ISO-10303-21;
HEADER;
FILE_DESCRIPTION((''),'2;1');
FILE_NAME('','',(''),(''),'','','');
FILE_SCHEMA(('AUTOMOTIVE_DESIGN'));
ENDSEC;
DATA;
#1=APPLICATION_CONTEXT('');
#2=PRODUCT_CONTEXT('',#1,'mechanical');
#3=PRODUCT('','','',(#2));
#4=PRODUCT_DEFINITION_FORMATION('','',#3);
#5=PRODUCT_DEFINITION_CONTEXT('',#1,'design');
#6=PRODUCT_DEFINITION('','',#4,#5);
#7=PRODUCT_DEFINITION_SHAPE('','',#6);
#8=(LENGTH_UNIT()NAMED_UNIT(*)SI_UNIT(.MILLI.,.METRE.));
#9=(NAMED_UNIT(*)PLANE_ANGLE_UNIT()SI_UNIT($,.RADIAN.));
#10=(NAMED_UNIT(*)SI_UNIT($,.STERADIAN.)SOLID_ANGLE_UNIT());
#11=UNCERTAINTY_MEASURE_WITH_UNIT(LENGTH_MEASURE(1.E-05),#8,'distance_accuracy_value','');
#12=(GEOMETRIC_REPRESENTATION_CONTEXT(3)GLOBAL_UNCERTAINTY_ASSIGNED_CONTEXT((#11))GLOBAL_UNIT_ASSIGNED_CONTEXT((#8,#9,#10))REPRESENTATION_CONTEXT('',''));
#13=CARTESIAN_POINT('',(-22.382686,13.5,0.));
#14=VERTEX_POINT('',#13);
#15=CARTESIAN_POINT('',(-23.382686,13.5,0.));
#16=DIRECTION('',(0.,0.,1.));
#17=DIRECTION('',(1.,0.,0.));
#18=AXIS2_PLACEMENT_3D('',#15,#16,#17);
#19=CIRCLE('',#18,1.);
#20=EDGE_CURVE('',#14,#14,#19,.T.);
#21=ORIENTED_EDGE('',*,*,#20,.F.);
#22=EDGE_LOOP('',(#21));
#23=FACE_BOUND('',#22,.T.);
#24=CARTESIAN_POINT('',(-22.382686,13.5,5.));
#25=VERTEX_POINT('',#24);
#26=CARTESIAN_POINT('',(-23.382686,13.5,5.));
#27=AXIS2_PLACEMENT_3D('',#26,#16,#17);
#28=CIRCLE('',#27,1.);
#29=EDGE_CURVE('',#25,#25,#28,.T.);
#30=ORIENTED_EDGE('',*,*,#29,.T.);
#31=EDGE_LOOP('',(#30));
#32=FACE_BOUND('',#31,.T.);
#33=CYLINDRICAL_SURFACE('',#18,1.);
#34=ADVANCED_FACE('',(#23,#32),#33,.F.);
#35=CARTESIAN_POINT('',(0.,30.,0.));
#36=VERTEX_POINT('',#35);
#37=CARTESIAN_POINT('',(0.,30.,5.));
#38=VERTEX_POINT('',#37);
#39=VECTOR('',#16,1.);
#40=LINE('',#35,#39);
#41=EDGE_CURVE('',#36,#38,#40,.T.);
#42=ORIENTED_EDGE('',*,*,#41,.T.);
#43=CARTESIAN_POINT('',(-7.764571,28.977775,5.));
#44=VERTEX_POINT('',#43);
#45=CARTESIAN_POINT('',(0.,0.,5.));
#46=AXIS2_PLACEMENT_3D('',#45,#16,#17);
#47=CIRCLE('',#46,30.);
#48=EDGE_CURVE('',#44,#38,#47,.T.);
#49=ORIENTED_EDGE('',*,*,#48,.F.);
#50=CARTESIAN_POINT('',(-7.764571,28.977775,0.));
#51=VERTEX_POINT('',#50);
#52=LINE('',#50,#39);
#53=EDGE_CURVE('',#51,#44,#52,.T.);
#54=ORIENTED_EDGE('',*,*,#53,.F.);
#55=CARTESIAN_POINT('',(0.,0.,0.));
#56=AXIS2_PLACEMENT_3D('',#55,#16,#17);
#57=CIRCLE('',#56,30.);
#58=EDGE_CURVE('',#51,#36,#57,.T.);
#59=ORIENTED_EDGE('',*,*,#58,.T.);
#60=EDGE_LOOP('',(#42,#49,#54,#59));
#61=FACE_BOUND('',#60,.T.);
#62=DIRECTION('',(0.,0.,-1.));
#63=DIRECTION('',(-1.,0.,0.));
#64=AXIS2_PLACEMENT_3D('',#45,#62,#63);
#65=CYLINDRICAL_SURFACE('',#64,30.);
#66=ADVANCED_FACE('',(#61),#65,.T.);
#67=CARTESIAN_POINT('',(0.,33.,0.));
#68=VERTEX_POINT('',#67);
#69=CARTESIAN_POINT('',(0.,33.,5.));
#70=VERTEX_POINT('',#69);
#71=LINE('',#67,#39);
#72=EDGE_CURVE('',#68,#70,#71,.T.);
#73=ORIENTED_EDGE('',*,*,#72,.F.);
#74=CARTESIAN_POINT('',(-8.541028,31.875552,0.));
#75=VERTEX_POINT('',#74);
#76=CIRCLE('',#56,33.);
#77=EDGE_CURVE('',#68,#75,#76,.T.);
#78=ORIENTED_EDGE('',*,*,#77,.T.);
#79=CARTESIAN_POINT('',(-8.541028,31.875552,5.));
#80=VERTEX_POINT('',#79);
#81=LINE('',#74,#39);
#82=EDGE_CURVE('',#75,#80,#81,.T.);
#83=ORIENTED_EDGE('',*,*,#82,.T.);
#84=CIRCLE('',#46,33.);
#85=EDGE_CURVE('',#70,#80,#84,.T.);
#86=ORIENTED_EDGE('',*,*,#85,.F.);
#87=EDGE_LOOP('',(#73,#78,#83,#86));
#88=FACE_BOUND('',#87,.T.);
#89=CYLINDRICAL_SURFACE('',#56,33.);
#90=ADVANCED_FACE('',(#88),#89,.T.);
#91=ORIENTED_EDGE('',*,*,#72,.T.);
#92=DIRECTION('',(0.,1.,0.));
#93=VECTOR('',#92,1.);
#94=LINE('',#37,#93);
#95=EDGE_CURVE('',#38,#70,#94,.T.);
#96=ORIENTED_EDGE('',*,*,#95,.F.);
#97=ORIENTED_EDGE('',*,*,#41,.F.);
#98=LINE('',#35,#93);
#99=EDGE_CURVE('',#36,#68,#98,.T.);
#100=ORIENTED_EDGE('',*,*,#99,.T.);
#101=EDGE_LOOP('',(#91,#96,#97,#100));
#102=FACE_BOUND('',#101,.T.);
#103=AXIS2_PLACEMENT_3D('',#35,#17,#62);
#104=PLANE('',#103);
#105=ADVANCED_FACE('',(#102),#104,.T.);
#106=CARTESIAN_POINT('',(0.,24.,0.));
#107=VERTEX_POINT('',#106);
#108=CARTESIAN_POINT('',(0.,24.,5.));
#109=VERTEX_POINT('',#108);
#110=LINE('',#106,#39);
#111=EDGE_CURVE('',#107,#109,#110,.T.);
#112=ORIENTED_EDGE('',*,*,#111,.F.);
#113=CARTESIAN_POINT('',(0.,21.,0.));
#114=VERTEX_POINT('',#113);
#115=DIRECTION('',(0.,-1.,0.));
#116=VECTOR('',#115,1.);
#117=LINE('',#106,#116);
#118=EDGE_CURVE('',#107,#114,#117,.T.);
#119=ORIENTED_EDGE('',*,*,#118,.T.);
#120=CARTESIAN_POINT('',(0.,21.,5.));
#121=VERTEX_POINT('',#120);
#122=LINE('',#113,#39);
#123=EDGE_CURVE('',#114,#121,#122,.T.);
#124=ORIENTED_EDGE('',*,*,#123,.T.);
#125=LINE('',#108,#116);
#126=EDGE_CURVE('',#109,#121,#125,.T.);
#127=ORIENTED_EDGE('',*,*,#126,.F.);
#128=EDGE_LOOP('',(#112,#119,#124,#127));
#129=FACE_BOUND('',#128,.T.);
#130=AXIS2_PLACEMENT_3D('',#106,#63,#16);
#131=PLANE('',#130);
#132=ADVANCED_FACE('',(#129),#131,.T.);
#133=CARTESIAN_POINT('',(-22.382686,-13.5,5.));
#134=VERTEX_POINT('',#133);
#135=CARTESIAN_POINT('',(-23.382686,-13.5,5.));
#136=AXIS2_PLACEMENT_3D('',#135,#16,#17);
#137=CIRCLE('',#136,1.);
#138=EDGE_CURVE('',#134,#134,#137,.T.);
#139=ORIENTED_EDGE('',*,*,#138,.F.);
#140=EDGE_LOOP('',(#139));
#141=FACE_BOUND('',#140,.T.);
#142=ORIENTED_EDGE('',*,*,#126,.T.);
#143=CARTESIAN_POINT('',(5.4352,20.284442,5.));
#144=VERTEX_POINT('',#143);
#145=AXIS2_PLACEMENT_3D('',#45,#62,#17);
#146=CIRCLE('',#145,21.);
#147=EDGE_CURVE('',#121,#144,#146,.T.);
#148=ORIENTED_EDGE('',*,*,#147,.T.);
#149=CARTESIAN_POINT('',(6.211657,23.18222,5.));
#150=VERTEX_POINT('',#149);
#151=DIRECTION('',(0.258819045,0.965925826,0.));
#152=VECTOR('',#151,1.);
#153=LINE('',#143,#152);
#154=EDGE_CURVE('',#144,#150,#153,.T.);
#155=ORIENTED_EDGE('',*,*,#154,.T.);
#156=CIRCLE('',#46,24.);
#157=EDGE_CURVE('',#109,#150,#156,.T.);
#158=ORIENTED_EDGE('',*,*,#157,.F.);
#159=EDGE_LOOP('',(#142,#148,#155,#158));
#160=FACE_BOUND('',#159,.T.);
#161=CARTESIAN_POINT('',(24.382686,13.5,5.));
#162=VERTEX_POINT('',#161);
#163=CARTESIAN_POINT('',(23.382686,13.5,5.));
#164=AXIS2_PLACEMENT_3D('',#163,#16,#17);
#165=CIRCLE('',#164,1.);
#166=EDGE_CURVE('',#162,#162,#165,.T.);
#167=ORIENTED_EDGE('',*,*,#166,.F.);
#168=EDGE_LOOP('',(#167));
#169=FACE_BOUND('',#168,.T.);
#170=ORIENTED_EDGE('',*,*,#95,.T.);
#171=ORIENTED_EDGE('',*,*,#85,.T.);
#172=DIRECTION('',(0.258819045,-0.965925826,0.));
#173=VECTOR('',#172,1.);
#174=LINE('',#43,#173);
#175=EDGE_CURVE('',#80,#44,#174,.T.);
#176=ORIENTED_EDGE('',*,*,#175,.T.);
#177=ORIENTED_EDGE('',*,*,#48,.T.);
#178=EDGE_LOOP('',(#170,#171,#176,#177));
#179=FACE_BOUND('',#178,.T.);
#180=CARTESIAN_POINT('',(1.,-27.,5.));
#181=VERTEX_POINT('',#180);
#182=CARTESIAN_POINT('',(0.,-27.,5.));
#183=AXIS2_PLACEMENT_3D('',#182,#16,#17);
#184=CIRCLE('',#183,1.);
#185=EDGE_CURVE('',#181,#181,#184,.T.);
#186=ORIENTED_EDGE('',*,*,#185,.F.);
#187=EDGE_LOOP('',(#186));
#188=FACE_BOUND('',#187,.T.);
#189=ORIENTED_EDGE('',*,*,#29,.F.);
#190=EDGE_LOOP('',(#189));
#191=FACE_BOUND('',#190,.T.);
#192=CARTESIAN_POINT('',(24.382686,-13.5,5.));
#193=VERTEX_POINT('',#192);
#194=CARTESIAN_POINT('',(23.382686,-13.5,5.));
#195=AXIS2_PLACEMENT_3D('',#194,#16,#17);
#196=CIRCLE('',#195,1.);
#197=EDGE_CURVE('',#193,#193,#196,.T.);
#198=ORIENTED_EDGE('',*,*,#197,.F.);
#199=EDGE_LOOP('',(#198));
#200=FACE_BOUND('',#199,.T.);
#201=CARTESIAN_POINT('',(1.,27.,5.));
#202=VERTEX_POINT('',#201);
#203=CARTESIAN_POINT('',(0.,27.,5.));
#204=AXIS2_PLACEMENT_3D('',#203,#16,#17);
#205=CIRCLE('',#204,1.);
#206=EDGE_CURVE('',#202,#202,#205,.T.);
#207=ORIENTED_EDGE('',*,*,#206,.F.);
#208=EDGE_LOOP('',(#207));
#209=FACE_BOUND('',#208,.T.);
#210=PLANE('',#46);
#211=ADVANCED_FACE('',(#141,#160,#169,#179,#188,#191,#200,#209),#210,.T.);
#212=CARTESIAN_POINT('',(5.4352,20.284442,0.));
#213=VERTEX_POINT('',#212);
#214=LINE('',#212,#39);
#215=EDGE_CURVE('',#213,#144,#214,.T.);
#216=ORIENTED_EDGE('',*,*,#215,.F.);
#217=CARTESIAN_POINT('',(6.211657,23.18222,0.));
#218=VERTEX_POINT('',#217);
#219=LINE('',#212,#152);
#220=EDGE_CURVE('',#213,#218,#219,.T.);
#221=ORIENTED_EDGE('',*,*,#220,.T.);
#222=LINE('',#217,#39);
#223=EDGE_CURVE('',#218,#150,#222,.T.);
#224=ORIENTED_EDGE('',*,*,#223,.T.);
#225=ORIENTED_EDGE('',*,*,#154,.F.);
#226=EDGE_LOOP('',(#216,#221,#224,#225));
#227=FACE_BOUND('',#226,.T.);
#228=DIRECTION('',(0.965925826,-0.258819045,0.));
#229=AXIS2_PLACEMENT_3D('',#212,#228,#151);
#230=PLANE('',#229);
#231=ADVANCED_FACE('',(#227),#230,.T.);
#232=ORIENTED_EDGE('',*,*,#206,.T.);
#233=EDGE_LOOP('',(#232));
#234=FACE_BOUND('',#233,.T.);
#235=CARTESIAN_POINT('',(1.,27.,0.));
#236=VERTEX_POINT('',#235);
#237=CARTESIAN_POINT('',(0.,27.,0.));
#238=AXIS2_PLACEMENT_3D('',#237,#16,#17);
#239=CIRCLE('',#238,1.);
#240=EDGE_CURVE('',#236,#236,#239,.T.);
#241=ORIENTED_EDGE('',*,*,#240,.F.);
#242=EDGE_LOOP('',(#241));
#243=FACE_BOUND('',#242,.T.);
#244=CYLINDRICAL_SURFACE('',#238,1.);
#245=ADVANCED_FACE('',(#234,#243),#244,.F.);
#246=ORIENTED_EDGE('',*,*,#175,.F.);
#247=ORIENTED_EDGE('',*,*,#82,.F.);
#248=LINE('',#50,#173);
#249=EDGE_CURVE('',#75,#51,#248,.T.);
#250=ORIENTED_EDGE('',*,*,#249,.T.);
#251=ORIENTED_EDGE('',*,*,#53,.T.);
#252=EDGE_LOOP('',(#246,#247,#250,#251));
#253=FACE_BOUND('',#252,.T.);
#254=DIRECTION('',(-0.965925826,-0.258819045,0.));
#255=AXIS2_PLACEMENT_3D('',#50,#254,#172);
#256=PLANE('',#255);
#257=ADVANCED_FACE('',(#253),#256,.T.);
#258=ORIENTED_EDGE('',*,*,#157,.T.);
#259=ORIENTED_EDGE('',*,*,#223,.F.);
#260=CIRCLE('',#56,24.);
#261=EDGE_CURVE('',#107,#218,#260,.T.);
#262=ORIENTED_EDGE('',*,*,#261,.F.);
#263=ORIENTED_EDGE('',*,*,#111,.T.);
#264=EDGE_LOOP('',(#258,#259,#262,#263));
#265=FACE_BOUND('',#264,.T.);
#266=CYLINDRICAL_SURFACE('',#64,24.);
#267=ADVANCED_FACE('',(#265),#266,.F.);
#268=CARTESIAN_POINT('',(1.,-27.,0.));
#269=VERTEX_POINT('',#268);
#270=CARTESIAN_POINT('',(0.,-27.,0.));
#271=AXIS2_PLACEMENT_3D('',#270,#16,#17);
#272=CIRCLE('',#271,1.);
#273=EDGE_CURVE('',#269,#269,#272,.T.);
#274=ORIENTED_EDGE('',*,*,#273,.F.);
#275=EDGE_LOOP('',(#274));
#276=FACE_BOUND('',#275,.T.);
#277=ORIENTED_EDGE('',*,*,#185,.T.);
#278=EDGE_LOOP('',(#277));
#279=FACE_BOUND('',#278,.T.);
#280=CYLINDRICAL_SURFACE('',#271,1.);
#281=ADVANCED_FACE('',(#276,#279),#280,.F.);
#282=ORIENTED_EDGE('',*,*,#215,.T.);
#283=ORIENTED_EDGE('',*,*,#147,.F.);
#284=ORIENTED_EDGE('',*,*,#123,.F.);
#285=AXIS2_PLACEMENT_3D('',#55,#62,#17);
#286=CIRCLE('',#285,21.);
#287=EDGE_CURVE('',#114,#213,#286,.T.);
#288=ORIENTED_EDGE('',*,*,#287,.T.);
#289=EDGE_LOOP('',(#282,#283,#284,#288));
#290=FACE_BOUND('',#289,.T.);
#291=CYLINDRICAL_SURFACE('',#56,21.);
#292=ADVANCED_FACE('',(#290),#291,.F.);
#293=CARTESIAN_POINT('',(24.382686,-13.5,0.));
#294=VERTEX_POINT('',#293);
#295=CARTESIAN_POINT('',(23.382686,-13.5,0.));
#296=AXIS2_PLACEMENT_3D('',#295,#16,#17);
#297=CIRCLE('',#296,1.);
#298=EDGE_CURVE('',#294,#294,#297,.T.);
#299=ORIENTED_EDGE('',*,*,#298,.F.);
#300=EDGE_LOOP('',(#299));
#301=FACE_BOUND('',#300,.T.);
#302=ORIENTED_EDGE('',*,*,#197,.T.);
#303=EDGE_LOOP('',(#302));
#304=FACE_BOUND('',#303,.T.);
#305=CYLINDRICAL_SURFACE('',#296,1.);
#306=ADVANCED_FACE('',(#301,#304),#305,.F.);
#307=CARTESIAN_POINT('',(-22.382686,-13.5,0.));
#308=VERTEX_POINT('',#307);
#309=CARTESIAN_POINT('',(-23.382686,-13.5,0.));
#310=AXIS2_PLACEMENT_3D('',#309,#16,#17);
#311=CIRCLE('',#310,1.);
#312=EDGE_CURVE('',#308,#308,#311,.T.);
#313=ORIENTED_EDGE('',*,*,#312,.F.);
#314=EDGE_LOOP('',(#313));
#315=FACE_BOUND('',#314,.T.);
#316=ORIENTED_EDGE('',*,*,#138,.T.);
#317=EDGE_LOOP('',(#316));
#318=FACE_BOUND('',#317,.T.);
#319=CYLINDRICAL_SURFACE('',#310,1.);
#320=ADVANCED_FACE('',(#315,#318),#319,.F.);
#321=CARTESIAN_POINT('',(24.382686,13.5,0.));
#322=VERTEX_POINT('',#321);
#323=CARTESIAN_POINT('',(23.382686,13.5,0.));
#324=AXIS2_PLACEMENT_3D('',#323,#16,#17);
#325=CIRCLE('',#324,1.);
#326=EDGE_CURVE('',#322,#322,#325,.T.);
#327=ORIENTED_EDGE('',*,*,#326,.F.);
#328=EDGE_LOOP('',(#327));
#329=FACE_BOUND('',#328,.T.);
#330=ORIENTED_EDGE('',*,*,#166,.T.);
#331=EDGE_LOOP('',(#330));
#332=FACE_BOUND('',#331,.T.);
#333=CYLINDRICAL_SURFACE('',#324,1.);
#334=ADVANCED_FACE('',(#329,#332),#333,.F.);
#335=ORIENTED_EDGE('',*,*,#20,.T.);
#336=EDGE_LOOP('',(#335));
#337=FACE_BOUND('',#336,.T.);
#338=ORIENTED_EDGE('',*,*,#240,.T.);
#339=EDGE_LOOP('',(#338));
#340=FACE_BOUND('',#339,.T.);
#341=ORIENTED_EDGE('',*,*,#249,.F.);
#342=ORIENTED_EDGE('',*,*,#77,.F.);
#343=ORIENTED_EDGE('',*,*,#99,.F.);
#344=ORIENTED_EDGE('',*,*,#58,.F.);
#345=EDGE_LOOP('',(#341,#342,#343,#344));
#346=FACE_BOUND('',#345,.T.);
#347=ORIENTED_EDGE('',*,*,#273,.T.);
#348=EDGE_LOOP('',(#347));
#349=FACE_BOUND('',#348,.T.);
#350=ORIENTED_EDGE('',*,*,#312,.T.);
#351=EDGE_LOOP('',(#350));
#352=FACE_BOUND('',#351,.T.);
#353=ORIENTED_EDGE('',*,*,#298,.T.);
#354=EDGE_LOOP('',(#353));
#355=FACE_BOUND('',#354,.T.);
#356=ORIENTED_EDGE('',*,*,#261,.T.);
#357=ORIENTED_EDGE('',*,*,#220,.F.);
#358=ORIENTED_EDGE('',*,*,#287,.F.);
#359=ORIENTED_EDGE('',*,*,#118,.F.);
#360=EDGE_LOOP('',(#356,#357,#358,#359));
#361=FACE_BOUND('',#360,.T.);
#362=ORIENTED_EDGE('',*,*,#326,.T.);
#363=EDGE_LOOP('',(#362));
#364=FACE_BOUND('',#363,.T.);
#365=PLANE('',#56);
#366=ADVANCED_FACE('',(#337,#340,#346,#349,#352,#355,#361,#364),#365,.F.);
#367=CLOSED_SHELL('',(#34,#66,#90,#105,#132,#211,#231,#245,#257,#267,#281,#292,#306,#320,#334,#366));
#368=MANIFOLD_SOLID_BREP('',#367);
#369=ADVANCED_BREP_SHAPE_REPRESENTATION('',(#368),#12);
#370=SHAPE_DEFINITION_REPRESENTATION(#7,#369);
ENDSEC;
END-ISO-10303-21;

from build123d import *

# Parameters (mm, degrees)
SKETCH_1_R          = 30
SKETCH_1_R_2        = 24
EXTRUDE_1_DEPTH     = 5
SKETCH_2_R          = 1
CUT_EXTRUDE_1_DEPTH = 43.720018727
EXTRUDE_START       = -5
EXTRUDE_2_DEPTH     = 5


with BuildPart() as part:
    # 草图1 → 凸台-拉伸1 (new body)
    with BuildSketch(Plane.XY):
        Circle(SKETCH_1_R)
        Circle(SKETCH_1_R_2, mode=Mode.SUBTRACT)
    extrude(amount=EXTRUDE_1_DEPTH)

    # 草图2 → 切除-拉伸1 (cut, through all)
    with BuildSketch(Plane.XY.offset(5)):
        with Locations((0, 27)):
            Circle(SKETCH_2_R)
        with Locations((23.382685902, 13.5)):
            Circle(SKETCH_2_R)
        with Locations((23.382685902, -13.5)):
            Circle(SKETCH_2_R)
        with Locations((0, -27)):
            Circle(SKETCH_2_R)
        with Locations((-23.382685902, -13.5)):
            Circle(SKETCH_2_R)
        with Locations((-23.382685902, 13.5)):
            Circle(SKETCH_2_R)
    extrude(amount=-CUT_EXTRUDE_1_DEPTH, mode=Mode.SUBTRACT)

    # 草图3 → 凸台-拉伸2 (add)
    with BuildSketch(Plane.XY.offset(5).offset(EXTRUDE_START)):
        with BuildLine():
            Line((5.435199947, 20.284442352), (6.211657082, 23.182219831))
            ThreePointArc((6.211657082, 23.182219831), (3.132628613, 23.794676673), (0, 24))
            Line((0, 24), (0, 21))
            ThreePointArc((0, 21), (2.741050037, 20.820342089), (5.435199947, 20.284442352))
        make_face()
        with BuildLine():
            Line((0, 30), (0, 33))
            ThreePointArc((0, 33), (-4.307364343, 32.717680425), (-8.541028488, 31.875552268))
            Line((-8.541028488, 31.875552268), (-7.764571353, 28.977774789))
            ThreePointArc((-7.764571353, 28.977774789), (-3.915785767, 29.743345841), (0, 30))
        make_face()
    extrude(amount=EXTRUDE_2_DEPTH)


solid = part.part
